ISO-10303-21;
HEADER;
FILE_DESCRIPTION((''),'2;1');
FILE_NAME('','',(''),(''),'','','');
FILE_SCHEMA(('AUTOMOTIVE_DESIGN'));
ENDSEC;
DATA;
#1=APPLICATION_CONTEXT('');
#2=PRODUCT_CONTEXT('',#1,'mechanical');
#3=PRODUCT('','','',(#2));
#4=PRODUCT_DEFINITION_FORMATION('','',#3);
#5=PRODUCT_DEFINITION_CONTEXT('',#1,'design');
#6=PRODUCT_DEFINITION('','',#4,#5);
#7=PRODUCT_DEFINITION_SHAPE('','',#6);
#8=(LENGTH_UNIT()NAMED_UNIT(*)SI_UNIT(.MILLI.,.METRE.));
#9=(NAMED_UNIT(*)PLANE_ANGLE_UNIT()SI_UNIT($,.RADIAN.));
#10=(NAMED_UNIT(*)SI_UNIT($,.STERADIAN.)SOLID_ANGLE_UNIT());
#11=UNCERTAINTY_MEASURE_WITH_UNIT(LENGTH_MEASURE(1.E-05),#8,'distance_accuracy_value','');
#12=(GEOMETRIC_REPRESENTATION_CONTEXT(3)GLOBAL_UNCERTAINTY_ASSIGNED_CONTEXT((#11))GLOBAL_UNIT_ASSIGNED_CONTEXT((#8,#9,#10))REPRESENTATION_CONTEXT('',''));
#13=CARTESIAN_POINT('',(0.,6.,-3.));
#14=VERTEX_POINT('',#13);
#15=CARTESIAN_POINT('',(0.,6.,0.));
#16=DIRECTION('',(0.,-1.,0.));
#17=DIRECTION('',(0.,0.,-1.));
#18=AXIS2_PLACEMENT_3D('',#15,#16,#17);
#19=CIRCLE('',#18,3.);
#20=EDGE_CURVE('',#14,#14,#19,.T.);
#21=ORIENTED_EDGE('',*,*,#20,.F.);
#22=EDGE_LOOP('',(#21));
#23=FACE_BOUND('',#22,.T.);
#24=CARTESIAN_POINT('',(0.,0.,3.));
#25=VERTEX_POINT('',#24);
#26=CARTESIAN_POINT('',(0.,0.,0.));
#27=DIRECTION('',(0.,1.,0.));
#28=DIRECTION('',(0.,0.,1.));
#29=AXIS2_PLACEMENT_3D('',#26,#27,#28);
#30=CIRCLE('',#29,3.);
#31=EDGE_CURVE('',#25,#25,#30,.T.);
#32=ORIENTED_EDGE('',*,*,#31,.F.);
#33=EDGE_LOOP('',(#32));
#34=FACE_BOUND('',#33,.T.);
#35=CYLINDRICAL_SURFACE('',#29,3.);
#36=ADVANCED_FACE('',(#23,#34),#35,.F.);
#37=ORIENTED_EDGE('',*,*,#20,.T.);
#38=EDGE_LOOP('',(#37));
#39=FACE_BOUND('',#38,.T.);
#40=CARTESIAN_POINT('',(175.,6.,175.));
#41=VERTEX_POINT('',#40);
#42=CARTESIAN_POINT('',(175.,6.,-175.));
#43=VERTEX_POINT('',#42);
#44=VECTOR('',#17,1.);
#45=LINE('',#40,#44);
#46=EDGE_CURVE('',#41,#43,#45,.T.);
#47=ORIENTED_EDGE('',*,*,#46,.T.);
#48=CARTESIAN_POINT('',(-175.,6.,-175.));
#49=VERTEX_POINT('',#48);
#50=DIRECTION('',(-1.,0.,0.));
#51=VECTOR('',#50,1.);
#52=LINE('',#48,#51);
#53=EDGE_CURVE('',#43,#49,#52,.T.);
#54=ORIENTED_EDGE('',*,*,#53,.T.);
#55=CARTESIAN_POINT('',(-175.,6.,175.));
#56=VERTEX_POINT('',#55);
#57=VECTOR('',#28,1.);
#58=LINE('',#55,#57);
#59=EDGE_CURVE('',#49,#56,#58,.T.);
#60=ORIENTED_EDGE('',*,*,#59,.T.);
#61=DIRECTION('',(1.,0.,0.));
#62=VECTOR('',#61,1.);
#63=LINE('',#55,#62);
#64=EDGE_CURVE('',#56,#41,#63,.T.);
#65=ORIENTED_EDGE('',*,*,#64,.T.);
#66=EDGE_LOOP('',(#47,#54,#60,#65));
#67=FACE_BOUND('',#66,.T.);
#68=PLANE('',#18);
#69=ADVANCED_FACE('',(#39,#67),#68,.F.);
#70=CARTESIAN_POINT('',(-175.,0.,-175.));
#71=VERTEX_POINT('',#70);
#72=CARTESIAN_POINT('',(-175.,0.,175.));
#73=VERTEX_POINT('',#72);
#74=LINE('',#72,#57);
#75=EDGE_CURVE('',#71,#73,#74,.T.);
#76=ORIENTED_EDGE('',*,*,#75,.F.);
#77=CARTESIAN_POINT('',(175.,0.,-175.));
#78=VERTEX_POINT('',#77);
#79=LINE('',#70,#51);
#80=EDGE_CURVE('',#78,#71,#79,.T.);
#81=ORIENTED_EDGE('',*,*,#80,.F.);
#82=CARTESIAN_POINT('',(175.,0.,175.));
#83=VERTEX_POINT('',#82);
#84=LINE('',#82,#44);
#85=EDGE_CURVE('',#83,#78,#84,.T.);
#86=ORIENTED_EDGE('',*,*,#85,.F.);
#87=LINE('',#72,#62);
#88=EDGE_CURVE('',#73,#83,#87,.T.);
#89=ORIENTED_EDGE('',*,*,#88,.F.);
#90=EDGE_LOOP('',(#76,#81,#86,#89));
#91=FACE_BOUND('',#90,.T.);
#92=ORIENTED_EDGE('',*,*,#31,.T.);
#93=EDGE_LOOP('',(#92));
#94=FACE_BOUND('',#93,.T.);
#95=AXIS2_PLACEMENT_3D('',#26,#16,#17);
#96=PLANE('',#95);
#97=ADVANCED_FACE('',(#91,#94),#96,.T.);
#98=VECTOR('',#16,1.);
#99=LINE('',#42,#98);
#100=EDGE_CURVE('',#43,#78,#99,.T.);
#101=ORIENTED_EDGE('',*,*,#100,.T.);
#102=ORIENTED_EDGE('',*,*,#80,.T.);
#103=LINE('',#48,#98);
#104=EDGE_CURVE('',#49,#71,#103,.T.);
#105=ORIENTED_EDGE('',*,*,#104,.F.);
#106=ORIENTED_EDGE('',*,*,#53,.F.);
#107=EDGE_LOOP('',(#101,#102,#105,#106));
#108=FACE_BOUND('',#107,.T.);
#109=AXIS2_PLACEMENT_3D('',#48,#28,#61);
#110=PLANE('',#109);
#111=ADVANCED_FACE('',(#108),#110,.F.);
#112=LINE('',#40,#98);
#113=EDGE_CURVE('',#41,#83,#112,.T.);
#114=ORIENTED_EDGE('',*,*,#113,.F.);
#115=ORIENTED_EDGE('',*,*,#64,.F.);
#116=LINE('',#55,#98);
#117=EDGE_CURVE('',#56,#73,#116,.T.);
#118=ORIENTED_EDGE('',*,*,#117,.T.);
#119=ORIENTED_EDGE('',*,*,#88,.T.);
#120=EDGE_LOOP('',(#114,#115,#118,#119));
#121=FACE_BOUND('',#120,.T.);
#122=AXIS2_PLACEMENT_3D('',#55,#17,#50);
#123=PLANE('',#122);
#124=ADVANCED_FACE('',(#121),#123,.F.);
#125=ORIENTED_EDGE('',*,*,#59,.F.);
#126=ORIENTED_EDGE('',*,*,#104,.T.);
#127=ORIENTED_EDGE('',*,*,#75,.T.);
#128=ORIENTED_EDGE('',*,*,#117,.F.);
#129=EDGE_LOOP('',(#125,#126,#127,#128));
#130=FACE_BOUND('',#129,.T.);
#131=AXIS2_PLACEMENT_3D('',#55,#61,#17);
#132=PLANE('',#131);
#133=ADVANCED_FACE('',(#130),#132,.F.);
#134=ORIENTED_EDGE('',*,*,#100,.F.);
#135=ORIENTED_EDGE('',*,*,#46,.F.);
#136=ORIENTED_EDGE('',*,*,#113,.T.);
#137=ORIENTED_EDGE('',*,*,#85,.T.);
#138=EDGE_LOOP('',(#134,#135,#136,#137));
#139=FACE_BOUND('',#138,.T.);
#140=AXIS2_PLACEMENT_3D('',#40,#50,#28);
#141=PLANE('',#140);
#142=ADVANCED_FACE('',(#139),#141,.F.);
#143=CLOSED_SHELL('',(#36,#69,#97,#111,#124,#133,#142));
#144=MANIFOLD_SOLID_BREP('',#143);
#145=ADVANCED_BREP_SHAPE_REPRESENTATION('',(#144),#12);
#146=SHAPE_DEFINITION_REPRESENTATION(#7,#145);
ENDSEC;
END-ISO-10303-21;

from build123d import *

# Parameters (mm, degrees)
ESQUISSE1_W                  = 350
ESQUISSE1_H                  = 350
BOSS_EXTRU_1_DEPTH           = 6
ENL_V_MAT_EXTRU_1_DEPTH      = 248.560093715
ENL_V_MAT_EXTRU_1_DEPTH_BACK = 248.560093715
ESQUISSE2_R                  = 3


with BuildPart() as part:
    # Esquisse1 → Boss.-Extru.1 (new body)
    with BuildSketch(Plane(origin=(0, 0, 0), x_dir=(1, 0, 0), z_dir=(0, 1, 0))):
        Rectangle(ESQUISSE1_W, ESQUISSE1_H)
    extrude(amount=BOSS_EXTRU_1_DEPTH)

    # Esquisse2 → Enlèv. mat.-Extru.1 (cut, two sides: drawn at the far end of the back side and taken through both)
    with BuildSketch(Plane(origin=(0, 6, 0), x_dir=(1, 0, 0), z_dir=(0, 1, 0)).offset(-ENL_V_MAT_EXTRU_1_DEPTH_BACK)):
        with Locations(Location((0, 0, 0), (0, 0, 270))):
            Circle(ESQUISSE2_R)
    extrude(amount=ENL_V_MAT_EXTRU_1_DEPTH + ENL_V_MAT_EXTRU_1_DEPTH_BACK, mode=Mode.SUBTRACT)


solid = part.part
